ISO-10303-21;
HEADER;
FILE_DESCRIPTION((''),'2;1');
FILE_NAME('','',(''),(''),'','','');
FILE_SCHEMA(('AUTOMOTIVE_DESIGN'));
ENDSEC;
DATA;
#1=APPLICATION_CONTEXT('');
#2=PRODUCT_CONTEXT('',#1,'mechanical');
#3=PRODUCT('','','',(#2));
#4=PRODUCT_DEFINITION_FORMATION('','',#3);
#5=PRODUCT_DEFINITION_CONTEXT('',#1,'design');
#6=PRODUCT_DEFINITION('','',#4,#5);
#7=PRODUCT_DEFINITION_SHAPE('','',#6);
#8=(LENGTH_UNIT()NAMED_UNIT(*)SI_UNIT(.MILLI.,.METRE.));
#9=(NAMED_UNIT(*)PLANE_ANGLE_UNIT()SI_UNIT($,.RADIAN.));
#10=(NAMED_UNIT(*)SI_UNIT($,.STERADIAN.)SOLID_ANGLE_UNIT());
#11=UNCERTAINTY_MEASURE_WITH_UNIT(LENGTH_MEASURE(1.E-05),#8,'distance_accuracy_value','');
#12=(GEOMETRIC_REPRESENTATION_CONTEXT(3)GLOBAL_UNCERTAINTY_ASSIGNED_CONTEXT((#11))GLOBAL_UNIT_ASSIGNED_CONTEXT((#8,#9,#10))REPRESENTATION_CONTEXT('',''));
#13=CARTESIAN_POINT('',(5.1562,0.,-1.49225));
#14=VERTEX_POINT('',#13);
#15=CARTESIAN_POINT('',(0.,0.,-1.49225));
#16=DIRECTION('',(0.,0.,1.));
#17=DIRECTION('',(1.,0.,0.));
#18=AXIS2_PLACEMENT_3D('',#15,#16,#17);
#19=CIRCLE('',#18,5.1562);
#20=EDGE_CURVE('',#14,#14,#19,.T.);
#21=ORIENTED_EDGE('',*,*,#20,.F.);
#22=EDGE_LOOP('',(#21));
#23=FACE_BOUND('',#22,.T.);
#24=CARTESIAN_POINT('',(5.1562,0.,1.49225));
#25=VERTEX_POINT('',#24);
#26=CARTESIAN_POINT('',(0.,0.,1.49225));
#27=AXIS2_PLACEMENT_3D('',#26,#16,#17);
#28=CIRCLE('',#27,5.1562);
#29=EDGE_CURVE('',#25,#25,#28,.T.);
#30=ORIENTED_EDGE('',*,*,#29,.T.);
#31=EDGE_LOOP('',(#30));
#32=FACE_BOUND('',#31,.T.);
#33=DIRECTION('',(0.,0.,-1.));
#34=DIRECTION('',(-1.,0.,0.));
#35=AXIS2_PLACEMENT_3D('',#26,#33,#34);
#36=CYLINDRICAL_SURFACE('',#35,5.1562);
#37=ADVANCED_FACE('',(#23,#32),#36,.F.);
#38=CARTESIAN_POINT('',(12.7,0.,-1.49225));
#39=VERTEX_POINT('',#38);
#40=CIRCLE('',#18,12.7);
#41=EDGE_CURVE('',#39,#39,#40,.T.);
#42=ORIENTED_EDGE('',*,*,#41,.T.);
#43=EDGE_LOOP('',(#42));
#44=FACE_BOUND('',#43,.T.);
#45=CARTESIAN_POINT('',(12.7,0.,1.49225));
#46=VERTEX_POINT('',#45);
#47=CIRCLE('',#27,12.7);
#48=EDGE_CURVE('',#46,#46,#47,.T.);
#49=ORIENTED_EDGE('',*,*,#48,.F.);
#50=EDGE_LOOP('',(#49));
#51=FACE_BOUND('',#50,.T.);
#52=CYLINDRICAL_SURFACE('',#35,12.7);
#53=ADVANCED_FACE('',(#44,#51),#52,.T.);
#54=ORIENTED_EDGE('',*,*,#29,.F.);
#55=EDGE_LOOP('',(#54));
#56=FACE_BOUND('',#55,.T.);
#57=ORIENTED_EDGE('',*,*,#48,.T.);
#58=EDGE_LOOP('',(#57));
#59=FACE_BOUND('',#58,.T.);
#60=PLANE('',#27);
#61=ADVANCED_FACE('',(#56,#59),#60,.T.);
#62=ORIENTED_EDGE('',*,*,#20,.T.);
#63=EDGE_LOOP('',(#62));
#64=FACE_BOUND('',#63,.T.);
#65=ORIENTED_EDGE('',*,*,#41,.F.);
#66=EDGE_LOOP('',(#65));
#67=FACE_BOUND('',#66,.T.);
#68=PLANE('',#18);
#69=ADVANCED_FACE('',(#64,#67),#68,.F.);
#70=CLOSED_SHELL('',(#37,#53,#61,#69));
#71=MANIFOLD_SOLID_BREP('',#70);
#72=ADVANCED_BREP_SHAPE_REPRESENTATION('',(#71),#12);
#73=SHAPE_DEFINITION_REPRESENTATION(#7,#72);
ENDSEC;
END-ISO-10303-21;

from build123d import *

# Parameters (mm, degrees)
SKETCH2_R           = 12.7
SKETCH2_R_2         = 5.1562
BOSS_EXTRUDE1_DEPTH = 1.49225


with BuildPart() as part:
    # Sketch2 → Boss-Extrude1 (new body, symmetric)
    with BuildSketch(Plane.XY):
        Circle(SKETCH2_R)
        Circle(SKETCH2_R_2, mode=Mode.SUBTRACT)
    extrude(amount=BOSS_EXTRUDE1_DEPTH, both=True)


solid = part.part
